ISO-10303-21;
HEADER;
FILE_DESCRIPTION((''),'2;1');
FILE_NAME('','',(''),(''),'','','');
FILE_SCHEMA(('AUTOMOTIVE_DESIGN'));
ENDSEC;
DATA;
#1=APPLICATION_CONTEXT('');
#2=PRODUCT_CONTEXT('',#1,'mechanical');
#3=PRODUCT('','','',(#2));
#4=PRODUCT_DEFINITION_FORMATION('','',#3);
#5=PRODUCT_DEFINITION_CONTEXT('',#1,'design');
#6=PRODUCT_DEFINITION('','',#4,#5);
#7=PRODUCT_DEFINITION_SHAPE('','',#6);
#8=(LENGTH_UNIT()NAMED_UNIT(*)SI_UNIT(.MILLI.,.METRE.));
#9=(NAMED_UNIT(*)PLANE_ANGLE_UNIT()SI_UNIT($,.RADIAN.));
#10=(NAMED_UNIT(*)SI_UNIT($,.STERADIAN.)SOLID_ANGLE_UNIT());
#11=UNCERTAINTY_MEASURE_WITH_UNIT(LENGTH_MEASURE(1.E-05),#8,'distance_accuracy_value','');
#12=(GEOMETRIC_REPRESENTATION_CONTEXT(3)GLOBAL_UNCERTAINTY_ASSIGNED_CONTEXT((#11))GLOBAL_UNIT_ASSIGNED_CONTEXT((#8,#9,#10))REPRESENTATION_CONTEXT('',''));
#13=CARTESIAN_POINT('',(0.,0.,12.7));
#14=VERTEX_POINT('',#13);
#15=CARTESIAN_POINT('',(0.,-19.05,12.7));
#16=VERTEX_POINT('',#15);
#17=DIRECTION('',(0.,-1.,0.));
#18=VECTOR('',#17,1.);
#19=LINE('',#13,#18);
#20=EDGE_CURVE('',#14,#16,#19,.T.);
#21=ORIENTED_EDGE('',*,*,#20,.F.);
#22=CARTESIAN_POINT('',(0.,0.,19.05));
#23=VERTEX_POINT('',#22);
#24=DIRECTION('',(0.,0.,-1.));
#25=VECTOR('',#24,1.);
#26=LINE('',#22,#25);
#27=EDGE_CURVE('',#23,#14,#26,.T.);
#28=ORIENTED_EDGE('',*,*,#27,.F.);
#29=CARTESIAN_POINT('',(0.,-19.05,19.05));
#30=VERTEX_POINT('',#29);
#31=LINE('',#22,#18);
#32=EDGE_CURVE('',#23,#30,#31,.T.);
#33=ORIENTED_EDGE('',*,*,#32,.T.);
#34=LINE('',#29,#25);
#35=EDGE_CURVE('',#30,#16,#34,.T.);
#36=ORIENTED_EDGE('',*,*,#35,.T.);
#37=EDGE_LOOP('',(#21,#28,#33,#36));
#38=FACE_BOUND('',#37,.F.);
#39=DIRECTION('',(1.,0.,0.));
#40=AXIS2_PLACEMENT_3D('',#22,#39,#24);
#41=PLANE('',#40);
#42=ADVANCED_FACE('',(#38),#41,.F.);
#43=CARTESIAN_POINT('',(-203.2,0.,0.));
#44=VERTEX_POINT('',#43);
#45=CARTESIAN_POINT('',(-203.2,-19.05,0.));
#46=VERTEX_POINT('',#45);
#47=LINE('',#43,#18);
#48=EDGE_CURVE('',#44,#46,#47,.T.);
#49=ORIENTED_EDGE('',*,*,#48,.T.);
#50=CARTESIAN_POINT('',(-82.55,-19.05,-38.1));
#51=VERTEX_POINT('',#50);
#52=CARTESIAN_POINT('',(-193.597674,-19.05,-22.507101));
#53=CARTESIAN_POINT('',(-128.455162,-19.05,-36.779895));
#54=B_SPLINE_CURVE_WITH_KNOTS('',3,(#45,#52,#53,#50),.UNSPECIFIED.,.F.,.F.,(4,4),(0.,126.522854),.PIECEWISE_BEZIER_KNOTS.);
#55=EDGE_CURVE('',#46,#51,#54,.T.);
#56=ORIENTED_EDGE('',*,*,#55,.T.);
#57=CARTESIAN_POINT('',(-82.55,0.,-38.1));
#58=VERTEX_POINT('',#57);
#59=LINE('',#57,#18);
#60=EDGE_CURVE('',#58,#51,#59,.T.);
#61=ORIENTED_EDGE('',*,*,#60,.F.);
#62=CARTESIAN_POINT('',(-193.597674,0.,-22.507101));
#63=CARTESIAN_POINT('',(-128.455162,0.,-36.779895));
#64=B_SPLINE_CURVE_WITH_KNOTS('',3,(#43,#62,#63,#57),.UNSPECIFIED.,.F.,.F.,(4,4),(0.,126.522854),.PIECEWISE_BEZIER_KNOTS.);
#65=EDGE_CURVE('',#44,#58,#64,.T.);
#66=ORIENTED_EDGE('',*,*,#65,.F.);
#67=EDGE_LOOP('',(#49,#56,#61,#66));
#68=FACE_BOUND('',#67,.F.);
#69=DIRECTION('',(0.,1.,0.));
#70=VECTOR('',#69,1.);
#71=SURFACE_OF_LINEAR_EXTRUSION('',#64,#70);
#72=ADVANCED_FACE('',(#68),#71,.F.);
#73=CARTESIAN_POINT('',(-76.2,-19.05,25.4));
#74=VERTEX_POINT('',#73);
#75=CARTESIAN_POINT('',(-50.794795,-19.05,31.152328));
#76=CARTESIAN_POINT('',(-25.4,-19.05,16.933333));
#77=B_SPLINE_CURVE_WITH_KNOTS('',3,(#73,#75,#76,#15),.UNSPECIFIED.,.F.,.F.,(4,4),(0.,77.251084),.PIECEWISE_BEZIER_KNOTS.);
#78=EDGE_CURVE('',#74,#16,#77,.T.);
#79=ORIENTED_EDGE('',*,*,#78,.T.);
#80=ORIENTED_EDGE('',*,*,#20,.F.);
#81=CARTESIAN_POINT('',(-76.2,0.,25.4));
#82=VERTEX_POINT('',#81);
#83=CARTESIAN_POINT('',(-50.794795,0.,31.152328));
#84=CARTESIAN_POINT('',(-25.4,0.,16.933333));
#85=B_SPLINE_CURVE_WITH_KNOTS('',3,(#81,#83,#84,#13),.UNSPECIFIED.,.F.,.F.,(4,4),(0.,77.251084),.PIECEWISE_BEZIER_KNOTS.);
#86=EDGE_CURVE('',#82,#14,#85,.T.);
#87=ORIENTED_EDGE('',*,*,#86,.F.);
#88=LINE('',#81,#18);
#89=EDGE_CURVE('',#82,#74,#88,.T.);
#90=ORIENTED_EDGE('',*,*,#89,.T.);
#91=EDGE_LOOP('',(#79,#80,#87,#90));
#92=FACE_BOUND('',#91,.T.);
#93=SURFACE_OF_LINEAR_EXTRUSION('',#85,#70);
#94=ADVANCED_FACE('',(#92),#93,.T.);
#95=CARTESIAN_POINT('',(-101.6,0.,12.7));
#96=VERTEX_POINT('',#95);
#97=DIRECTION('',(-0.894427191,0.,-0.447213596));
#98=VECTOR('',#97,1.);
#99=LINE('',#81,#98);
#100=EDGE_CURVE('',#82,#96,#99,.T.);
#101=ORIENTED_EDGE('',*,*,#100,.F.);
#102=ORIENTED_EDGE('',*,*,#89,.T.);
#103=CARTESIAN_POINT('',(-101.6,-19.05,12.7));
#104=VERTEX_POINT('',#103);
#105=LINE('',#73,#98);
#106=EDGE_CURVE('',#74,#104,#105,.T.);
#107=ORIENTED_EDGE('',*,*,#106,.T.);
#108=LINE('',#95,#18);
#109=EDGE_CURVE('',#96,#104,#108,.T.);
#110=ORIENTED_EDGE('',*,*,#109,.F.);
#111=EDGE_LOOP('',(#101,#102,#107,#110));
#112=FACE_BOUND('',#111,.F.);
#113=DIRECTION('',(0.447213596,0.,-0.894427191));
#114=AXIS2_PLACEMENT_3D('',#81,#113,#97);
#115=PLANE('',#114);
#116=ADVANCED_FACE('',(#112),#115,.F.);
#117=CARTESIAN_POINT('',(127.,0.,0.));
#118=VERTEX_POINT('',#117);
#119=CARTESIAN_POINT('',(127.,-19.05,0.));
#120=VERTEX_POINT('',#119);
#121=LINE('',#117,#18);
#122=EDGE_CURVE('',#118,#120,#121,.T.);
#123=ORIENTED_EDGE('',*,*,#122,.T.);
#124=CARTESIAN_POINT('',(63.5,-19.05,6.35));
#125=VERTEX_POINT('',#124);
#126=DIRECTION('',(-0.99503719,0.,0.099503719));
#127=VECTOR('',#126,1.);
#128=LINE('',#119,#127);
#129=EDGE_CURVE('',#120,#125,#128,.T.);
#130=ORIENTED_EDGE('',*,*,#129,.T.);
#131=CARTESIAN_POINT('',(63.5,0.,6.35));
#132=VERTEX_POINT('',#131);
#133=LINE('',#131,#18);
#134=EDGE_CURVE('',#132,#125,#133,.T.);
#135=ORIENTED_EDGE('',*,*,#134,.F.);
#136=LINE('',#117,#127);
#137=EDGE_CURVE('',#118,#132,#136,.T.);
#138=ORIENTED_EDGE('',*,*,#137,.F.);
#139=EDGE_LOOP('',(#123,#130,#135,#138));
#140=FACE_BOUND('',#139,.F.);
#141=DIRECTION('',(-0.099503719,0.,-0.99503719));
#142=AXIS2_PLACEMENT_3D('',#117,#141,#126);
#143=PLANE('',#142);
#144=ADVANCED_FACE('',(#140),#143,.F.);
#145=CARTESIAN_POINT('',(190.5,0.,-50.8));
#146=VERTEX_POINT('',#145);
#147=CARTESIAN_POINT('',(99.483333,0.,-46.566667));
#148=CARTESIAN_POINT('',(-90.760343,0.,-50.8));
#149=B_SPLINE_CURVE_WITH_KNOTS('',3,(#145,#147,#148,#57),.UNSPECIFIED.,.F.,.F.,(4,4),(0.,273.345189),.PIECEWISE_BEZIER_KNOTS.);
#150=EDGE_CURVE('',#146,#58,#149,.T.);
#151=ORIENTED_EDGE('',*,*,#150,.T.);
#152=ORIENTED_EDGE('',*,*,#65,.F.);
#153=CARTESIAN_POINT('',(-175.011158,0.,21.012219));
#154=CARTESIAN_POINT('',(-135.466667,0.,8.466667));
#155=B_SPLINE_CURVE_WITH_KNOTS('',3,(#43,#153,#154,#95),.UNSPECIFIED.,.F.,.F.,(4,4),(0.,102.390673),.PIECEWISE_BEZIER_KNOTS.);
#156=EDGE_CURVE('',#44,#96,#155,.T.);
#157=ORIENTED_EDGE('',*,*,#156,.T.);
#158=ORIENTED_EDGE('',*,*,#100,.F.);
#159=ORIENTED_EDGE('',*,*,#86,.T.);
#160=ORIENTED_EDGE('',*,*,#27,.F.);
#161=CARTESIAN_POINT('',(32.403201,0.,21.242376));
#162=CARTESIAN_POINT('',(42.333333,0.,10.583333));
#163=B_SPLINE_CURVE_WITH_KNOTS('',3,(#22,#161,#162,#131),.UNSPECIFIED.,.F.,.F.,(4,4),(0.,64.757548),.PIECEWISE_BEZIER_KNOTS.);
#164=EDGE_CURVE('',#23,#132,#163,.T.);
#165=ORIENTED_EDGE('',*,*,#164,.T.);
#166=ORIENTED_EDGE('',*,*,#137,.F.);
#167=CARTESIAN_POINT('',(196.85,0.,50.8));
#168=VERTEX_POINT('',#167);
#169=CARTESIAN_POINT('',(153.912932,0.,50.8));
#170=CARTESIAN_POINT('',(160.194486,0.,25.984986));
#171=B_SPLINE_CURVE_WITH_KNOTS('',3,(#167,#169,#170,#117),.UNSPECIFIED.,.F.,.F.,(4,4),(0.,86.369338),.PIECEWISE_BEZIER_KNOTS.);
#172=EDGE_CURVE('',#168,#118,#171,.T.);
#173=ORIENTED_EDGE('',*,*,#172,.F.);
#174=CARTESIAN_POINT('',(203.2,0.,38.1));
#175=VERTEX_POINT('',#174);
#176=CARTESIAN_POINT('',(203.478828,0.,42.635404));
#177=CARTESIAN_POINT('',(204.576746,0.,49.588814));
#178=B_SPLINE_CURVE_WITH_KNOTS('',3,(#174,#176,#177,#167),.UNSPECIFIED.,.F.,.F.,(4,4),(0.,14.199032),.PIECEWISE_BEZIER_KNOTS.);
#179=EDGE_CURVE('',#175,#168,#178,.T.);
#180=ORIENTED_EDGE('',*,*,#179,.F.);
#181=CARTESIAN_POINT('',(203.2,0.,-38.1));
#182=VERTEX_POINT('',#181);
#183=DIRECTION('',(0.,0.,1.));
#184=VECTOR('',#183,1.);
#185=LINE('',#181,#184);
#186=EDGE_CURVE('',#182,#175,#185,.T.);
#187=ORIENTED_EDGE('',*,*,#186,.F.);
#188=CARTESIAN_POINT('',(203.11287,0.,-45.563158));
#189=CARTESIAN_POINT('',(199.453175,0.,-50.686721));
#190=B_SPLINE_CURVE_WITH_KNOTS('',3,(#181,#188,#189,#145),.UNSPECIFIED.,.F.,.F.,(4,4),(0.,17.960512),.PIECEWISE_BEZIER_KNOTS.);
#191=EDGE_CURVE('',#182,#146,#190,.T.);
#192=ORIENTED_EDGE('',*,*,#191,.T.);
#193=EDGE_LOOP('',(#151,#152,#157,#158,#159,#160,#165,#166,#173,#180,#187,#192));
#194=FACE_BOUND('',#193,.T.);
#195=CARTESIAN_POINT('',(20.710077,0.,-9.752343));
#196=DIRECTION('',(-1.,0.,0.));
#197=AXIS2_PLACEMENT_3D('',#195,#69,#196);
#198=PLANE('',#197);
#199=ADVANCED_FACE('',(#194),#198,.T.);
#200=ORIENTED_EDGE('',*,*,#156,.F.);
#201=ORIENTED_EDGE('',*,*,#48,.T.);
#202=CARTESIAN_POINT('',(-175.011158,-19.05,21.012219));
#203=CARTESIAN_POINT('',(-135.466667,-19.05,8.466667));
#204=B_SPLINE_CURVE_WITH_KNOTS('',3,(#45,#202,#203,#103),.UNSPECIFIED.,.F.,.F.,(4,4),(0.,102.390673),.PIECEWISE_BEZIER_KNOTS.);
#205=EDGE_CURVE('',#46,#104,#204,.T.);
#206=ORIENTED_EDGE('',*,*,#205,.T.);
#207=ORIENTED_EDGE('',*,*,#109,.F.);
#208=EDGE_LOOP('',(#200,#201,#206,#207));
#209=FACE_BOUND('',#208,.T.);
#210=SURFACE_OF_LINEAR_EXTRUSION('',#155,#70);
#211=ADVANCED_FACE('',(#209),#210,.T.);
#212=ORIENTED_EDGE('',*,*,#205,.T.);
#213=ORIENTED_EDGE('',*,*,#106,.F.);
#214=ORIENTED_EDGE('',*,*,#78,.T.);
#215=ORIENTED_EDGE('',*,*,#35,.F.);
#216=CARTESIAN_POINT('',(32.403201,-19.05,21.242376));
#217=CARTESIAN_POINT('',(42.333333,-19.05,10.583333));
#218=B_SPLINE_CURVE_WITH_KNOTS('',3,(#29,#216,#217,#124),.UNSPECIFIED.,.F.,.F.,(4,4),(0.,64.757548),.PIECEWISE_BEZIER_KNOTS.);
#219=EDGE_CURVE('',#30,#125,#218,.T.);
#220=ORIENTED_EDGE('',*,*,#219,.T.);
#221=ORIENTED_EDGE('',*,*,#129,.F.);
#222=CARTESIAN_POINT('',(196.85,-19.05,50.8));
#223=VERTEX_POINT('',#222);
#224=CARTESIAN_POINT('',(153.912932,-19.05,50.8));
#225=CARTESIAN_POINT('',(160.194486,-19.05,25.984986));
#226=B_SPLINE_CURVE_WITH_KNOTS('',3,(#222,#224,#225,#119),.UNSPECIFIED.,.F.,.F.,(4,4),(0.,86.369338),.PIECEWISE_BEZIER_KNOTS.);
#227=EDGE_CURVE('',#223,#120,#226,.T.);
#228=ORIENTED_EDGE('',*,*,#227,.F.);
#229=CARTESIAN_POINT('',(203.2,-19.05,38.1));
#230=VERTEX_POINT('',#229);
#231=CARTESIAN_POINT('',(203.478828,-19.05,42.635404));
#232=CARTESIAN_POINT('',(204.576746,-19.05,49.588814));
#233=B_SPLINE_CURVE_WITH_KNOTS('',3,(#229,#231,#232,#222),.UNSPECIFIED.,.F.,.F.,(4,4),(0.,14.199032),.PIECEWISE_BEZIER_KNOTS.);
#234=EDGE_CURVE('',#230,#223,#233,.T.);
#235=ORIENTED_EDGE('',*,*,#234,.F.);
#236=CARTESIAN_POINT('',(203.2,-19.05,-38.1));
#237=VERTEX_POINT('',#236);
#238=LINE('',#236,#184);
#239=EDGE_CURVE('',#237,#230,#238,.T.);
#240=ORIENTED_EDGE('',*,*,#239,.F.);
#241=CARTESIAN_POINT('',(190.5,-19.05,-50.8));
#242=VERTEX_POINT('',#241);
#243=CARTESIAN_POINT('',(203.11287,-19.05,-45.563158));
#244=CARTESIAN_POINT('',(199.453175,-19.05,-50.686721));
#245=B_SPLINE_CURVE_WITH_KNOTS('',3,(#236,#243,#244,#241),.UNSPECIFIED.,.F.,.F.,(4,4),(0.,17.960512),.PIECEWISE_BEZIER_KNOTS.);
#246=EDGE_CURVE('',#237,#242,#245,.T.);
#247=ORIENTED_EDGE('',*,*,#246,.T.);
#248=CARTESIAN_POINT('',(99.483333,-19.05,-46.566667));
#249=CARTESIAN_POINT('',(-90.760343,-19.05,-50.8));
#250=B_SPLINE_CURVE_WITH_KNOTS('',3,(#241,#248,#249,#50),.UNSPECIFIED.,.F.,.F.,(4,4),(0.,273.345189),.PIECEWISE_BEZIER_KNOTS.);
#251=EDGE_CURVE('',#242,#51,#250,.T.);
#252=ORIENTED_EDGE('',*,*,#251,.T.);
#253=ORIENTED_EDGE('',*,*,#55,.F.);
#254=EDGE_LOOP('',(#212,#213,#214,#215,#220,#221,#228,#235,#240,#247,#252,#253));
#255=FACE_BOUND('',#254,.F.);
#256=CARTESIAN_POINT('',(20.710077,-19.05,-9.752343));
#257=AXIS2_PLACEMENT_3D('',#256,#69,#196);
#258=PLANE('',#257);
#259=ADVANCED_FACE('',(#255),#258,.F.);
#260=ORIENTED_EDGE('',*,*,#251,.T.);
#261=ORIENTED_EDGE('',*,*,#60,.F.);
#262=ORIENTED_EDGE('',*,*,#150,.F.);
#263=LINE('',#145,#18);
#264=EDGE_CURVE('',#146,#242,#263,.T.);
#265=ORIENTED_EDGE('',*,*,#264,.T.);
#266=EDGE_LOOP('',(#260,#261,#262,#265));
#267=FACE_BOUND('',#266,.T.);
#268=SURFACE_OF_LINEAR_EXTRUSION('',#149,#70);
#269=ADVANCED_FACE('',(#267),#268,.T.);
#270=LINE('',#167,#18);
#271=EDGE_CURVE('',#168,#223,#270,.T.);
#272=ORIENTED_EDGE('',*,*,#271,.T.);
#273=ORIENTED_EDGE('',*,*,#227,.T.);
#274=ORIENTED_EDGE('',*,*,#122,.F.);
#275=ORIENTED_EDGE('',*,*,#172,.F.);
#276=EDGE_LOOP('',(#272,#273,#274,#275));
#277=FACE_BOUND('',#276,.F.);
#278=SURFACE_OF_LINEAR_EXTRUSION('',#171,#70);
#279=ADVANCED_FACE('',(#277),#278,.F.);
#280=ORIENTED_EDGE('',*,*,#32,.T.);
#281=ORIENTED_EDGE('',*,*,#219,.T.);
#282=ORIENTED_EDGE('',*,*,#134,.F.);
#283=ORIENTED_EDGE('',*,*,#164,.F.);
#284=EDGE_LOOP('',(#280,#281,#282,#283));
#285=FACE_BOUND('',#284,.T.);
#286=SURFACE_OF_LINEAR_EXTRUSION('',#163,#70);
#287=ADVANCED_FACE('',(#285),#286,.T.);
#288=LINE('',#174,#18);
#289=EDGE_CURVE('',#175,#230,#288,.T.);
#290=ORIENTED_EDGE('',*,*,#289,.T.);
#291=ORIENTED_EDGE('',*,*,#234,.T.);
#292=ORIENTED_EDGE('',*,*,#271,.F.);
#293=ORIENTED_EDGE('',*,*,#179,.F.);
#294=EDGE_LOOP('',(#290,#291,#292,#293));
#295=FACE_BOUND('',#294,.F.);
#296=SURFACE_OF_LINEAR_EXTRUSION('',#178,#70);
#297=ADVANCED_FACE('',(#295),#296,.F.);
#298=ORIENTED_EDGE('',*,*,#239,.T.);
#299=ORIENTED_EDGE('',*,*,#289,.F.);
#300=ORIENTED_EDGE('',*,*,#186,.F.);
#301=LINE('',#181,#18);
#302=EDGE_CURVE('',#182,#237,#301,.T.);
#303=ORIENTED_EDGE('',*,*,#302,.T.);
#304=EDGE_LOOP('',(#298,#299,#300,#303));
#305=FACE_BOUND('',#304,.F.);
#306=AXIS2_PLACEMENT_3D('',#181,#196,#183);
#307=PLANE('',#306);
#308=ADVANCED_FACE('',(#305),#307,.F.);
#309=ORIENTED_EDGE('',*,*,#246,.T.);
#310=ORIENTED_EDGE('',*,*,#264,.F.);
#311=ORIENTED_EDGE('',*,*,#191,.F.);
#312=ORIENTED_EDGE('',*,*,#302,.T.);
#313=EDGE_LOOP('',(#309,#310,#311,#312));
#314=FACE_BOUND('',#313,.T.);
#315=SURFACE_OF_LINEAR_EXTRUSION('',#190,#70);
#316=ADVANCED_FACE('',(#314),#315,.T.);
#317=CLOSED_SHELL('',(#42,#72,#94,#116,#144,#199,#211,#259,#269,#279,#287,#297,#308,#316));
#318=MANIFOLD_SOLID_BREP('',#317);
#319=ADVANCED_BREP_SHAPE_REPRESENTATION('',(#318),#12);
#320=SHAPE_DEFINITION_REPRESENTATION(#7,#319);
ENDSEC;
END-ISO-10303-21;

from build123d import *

# Parameters (mm, degrees)
F1_DEPTH = 19.05


with BuildPart() as f1:
    # F0 (on Front) → F1 (new body)
    with BuildSketch(Plane.XZ):
        with BuildLine():
            add(Edge.make_bspline(
                [(-203.2, 0), (-175.011158, 21.012219), (-135.466667, 8.466667), (-101.6, 12.7)],
                knots=[0, 0, 0, 0, 102.390673, 102.390673, 102.390673, 102.390673], degree=3))
            add(Edge.make_bspline(
                [(-203.2, 0), (-193.597674, -22.507101), (-128.455162, -36.779895), (-82.55, -38.1)],
                knots=[0, 0, 0, 0, 126.522854, 126.522854, 126.522854, 126.522854], degree=3))
            add(Edge.make_bspline(
                [(190.5, -50.8), (99.483333, -46.566667), (-90.760343, -50.8), (-82.55, -38.1)],
                knots=[0, 0, 0, 0, 273.345189, 273.345189, 273.345189, 273.345189], degree=3))
            add(Edge.make_bspline(
                [(203.2, -38.1), (203.11287, -45.563158), (199.453175, -50.686721), (190.5, -50.8)],
                knots=[0, 0, 0, 0, 17.960512, 17.960512, 17.960512, 17.960512], degree=3))
            Line((203.2, -38.1), (203.2, 38.1))
            add(Edge.make_bspline(
                [(203.2, 38.1), (203.478828, 42.635404), (204.576746, 49.588814), (196.85, 50.8)],
                knots=[0, 0, 0, 0, 14.199032, 14.199032, 14.199032, 14.199032], degree=3))
            add(Edge.make_bspline(
                [(196.85, 50.8), (153.912932, 50.8), (160.194486, 25.984986), (127, 0)],
                knots=[0, 0, 0, 0, 86.369338, 86.369338, 86.369338, 86.369338], degree=3))
            Line((127, 0), (63.5, 6.35))
            add(Edge.make_bspline(
                [(0, 19.05), (32.403201, 21.242376), (42.333333, 10.583333), (63.5, 6.35)],
                knots=[0, 0, 0, 0, 64.757548, 64.757548, 64.757548, 64.757548], degree=3))
            Line((0, 19.05), (0, 12.7))
            add(Edge.make_bspline(
                [(-76.2, 25.4), (-50.794795, 31.152328), (-25.4, 16.933333), (0, 12.7)],
                knots=[0, 0, 0, 0, 77.251084, 77.251084, 77.251084, 77.251084], degree=3))
            Line((-76.2, 25.4), (-101.6, 12.7))
        make_face()
    extrude(amount=F1_DEPTH)


solid = f1.part
